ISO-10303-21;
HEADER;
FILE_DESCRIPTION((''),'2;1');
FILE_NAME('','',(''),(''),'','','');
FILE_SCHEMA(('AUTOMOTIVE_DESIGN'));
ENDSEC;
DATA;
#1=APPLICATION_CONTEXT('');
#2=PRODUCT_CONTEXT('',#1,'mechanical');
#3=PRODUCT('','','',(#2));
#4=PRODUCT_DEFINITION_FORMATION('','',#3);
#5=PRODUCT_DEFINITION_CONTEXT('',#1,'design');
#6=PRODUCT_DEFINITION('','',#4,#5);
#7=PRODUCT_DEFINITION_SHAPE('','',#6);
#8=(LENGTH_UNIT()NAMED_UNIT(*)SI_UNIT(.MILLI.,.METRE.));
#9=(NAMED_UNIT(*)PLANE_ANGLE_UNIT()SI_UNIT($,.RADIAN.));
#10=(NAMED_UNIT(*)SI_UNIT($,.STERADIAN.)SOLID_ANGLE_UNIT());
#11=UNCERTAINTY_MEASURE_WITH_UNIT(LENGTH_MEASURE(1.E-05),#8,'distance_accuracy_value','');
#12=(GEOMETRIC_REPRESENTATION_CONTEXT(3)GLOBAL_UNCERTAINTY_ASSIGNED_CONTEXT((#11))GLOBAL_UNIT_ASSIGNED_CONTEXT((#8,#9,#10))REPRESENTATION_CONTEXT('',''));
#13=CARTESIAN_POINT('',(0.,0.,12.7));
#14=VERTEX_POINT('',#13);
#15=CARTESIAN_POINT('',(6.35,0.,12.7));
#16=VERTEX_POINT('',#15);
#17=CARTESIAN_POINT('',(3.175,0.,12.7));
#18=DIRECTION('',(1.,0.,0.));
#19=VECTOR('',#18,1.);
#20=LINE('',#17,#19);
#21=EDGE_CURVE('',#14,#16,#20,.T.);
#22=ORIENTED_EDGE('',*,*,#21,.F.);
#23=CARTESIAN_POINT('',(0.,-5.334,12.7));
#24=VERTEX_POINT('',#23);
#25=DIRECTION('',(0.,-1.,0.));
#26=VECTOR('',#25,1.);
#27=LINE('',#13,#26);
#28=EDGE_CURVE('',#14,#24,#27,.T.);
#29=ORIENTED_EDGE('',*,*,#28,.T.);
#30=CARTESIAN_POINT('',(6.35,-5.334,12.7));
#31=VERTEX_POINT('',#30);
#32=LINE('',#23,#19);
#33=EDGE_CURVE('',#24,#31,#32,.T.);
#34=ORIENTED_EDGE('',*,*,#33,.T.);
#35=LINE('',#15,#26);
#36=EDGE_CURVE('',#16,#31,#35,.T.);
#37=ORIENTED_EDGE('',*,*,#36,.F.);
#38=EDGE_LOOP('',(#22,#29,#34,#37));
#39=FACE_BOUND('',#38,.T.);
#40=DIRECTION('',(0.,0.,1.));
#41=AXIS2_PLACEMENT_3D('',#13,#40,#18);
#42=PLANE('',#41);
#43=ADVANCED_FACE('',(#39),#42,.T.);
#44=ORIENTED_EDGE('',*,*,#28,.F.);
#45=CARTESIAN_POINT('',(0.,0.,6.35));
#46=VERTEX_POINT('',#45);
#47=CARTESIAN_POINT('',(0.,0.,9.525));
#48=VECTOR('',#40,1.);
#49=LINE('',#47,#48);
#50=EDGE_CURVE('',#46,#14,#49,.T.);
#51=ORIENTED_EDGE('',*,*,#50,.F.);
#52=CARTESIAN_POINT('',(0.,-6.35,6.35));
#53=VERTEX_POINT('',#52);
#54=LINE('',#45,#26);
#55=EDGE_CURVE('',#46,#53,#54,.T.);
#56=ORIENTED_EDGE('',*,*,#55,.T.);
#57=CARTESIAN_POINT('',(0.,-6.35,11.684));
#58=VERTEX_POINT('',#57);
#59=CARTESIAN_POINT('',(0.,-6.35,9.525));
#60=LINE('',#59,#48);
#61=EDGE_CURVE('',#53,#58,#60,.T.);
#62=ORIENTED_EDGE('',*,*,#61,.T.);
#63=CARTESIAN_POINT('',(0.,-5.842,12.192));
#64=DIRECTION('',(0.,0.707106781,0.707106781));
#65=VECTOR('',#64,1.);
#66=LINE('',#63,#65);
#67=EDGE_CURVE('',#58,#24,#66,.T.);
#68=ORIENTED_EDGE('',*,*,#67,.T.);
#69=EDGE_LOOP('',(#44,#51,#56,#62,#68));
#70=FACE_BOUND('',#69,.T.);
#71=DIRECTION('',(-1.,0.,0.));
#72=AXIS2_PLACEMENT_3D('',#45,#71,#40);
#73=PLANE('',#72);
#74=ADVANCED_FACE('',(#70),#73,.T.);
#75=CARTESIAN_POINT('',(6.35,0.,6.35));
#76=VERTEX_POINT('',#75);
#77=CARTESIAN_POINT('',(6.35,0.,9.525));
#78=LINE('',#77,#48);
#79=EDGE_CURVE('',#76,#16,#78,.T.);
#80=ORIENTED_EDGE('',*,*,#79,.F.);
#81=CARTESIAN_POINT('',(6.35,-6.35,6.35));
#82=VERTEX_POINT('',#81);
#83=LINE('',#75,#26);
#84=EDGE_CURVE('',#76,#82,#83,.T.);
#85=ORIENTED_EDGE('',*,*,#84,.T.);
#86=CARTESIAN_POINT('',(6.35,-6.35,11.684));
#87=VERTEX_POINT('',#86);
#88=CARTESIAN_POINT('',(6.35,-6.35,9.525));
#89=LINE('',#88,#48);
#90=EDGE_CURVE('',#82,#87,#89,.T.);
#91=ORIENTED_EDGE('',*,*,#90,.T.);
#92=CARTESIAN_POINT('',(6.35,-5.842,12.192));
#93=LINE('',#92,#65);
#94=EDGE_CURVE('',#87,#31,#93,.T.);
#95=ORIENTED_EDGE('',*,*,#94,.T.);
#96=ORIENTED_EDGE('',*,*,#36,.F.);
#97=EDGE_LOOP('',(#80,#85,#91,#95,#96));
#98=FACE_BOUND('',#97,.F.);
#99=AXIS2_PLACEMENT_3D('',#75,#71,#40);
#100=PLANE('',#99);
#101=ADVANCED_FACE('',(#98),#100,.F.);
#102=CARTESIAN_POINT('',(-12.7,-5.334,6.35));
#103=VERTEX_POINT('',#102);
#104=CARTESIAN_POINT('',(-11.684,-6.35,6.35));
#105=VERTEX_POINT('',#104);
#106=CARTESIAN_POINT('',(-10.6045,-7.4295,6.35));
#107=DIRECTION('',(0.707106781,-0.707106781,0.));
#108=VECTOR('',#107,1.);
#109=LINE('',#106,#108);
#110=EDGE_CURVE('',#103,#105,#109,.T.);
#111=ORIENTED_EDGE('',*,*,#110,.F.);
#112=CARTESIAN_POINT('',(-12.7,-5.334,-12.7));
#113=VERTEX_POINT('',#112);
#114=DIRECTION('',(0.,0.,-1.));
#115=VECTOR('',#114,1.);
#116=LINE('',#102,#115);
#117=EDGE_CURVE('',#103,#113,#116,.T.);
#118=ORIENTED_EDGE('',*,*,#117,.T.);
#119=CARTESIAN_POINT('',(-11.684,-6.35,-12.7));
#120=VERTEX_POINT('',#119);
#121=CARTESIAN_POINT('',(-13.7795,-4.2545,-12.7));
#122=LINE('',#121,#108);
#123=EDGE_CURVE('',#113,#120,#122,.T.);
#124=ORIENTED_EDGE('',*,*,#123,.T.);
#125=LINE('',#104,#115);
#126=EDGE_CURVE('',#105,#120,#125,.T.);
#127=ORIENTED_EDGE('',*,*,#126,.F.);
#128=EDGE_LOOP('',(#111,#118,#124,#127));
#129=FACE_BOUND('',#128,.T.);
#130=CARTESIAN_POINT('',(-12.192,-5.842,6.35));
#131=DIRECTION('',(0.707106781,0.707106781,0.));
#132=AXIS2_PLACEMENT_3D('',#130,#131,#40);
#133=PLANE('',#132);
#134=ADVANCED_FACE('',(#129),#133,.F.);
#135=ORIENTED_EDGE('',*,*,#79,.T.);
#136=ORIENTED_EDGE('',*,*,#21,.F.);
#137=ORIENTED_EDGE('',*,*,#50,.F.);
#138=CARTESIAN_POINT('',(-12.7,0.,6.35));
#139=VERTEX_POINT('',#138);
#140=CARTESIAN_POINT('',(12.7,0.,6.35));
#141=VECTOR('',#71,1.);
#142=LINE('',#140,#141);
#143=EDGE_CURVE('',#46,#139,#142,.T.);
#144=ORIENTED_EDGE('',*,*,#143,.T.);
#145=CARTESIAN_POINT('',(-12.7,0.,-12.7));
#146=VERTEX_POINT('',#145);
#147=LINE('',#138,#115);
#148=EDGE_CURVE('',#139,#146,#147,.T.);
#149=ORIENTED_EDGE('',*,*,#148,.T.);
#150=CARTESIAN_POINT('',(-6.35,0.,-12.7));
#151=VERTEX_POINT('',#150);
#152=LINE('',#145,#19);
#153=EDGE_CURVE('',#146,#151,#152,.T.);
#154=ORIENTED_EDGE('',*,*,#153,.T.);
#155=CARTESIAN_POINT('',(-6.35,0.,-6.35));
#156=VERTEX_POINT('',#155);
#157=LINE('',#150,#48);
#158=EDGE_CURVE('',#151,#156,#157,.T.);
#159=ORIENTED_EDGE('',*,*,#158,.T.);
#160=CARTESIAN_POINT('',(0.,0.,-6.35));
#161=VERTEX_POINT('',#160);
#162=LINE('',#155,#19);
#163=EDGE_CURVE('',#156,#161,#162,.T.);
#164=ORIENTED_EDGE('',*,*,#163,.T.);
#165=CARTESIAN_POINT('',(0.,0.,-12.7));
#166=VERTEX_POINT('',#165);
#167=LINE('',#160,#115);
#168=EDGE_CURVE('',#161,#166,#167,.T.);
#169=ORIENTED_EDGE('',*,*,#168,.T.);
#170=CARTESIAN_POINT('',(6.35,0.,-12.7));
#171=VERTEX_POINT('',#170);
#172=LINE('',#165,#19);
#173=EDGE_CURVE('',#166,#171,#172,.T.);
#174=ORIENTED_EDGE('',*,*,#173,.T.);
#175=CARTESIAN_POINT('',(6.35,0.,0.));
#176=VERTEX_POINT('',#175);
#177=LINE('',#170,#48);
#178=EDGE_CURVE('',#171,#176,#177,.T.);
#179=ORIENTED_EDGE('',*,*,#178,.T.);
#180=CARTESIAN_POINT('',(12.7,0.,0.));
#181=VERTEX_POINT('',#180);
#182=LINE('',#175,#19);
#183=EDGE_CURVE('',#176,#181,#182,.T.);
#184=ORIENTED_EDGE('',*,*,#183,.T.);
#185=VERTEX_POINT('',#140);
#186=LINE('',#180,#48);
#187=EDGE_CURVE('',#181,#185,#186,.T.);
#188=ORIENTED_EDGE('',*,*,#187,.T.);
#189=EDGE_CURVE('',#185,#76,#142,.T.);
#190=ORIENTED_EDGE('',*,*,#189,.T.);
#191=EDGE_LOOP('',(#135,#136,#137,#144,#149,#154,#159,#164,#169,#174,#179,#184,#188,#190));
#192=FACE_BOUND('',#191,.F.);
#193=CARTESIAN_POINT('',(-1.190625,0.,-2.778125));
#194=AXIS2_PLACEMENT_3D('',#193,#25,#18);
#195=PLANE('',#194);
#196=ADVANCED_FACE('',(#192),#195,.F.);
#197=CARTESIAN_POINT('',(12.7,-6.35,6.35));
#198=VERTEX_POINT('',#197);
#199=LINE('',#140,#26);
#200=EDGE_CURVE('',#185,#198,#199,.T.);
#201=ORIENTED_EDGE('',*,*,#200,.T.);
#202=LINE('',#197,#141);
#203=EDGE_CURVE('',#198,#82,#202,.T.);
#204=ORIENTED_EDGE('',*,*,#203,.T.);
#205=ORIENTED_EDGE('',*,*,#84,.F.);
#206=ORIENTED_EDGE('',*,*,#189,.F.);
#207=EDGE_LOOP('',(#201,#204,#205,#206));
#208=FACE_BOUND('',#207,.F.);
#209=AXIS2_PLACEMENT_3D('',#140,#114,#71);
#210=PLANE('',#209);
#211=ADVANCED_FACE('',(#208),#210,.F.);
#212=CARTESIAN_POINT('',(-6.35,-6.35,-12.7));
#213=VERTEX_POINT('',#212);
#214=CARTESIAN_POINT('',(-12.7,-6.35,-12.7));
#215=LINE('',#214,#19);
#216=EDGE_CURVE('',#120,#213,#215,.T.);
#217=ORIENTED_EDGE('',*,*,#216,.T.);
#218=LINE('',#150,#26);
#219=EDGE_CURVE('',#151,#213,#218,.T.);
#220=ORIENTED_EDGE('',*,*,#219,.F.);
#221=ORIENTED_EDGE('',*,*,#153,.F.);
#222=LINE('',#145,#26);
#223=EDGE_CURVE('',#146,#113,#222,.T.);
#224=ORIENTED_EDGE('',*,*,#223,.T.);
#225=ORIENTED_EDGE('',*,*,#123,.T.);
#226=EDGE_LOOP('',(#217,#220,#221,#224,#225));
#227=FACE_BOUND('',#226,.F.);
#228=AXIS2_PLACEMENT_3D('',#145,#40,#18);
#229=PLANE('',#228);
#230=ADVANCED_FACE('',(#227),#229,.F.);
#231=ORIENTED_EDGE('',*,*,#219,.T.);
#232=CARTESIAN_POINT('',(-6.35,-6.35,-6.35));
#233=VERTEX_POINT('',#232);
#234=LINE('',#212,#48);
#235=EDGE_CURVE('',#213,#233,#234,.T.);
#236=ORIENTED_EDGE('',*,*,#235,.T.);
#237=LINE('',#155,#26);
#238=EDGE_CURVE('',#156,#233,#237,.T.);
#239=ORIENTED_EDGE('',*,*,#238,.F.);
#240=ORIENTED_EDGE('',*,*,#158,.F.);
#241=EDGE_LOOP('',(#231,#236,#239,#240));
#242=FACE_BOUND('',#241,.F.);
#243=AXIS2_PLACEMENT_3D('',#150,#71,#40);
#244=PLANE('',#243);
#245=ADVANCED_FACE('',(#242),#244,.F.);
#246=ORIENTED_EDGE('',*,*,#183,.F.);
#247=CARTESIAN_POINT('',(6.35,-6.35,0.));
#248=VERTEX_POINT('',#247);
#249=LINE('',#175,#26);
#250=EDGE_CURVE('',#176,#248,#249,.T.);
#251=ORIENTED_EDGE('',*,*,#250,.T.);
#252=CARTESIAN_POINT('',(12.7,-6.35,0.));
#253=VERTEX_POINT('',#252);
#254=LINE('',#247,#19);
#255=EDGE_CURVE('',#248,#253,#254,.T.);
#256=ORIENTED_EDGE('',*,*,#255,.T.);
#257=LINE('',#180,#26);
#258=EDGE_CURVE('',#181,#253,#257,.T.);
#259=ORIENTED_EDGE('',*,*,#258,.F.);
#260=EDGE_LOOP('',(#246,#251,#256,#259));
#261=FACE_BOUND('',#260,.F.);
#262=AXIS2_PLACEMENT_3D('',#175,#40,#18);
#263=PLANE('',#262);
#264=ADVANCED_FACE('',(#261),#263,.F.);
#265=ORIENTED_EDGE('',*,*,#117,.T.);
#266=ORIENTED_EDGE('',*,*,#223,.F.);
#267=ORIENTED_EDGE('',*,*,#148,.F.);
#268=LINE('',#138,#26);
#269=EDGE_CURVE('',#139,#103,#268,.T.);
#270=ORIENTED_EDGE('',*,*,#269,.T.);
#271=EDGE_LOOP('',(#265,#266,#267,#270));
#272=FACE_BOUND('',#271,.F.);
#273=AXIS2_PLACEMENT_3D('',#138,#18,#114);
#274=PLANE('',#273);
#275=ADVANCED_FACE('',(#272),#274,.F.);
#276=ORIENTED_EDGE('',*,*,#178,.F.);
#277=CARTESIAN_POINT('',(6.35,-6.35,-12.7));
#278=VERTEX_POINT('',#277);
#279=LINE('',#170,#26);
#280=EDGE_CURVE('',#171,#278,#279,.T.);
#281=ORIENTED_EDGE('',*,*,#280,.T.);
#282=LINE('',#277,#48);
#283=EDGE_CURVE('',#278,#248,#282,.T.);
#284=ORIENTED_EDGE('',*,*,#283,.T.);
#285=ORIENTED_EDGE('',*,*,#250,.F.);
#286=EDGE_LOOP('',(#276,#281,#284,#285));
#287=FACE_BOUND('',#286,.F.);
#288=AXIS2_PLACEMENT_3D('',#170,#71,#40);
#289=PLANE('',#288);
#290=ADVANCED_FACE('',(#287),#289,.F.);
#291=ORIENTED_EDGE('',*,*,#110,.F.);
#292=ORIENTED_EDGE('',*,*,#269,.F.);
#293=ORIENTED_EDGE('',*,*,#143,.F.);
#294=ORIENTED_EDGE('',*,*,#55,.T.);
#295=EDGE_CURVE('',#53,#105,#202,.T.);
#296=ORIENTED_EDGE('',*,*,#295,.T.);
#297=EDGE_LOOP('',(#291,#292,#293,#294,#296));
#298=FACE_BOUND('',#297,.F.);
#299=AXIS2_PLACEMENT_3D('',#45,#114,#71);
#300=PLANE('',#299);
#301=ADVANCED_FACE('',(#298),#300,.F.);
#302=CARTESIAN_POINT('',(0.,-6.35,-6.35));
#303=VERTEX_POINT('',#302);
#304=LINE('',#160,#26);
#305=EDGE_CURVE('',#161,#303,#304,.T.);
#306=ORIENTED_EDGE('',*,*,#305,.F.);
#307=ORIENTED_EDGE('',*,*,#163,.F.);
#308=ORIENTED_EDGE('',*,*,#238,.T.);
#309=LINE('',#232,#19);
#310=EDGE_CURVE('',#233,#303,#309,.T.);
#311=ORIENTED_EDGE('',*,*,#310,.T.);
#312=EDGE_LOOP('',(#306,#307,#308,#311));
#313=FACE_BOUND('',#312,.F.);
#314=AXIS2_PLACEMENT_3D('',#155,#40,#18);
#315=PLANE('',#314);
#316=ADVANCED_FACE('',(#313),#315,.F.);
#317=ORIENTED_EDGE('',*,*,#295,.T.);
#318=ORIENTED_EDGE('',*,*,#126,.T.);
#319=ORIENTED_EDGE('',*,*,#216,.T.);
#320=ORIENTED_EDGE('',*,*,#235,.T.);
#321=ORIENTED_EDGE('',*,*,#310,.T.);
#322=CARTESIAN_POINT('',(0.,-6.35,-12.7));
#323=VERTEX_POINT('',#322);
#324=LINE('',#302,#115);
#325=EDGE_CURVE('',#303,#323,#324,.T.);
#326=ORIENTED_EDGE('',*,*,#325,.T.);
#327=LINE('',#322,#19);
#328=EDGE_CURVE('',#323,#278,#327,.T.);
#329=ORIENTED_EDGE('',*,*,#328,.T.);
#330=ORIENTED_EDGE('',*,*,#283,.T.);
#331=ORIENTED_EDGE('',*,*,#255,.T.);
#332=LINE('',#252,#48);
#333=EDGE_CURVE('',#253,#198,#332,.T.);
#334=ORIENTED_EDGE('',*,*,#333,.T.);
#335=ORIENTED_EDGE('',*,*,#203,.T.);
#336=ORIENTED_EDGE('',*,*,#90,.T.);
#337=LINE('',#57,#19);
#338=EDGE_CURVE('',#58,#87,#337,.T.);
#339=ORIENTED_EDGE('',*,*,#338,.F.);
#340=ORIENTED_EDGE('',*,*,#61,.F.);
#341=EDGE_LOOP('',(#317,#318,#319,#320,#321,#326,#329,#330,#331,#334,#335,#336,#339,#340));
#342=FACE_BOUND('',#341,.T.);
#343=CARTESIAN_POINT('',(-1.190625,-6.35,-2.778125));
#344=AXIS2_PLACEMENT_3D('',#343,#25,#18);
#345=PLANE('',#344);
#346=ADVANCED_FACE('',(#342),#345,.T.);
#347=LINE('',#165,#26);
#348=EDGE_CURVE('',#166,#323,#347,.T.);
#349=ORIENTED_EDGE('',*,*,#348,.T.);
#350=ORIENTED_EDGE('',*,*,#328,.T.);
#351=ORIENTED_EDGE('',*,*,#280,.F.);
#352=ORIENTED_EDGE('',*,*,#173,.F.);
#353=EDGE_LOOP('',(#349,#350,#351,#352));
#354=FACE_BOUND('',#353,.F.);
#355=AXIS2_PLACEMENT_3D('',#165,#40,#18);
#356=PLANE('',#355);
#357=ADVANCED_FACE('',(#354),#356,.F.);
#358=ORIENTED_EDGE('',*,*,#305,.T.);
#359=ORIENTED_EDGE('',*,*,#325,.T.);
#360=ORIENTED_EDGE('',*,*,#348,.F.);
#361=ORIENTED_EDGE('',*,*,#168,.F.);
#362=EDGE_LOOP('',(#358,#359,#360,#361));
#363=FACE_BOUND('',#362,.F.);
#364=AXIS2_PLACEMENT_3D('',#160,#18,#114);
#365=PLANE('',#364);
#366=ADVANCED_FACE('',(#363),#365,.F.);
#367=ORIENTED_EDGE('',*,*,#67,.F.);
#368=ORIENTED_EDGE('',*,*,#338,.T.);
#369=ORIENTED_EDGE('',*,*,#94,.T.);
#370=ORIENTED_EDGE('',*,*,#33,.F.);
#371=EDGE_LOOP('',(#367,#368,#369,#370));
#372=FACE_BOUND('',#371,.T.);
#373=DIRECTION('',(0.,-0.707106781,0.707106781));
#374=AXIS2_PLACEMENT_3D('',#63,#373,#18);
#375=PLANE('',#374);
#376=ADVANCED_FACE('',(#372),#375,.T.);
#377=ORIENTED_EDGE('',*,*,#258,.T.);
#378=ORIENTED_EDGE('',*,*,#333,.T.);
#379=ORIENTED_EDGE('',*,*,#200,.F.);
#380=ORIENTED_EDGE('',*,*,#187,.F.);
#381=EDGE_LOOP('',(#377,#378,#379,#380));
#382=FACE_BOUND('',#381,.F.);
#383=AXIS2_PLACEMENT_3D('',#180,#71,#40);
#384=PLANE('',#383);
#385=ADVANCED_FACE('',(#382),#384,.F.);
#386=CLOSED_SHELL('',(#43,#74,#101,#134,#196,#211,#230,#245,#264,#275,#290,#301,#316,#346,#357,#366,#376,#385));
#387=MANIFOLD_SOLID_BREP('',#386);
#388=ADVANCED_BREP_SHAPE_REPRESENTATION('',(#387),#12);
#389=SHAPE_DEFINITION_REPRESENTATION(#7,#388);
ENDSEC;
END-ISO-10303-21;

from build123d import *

# Parameters (mm, degrees)
F0_W     = 6.35
F0_H     = 6.35
F1_DEPTH = 6.35
F2_SIZE  = 1.016
F3_SIZE  = 1.016


with BuildPart() as f1:
    # F0 (on Front) → F1 (new body)
    with BuildSketch(Plane.XZ):
        Polygon((0, -12.7), (6.35, -12.7), (6.35, 0), (12.7, 0), (12.7, 6.35), (6.35, 6.35), (0, 6.35), (-12.7, 6.35), (-12.7, -12.7), (-6.35, -12.7), (-6.35, -6.35), (0, -6.35), align=None)
        with Locations((3.175, 9.525)):
            Rectangle(F0_W, F0_H)
    extrude(amount=F1_DEPTH)

    # F2
    f2_edges = [f1.edges().sort_by_distance(p)[0] for p in [
        (-12.7, -6.35, -3.175),
    ]]
    chamfer(f2_edges, length=F2_SIZE)

    # F3
    f3_edges = [f1.edges().sort_by_distance(p)[0] for p in [
        (3.175, -6.35, 12.7),
    ]]
    chamfer(f3_edges, length=F3_SIZE)


solid = f1.part
